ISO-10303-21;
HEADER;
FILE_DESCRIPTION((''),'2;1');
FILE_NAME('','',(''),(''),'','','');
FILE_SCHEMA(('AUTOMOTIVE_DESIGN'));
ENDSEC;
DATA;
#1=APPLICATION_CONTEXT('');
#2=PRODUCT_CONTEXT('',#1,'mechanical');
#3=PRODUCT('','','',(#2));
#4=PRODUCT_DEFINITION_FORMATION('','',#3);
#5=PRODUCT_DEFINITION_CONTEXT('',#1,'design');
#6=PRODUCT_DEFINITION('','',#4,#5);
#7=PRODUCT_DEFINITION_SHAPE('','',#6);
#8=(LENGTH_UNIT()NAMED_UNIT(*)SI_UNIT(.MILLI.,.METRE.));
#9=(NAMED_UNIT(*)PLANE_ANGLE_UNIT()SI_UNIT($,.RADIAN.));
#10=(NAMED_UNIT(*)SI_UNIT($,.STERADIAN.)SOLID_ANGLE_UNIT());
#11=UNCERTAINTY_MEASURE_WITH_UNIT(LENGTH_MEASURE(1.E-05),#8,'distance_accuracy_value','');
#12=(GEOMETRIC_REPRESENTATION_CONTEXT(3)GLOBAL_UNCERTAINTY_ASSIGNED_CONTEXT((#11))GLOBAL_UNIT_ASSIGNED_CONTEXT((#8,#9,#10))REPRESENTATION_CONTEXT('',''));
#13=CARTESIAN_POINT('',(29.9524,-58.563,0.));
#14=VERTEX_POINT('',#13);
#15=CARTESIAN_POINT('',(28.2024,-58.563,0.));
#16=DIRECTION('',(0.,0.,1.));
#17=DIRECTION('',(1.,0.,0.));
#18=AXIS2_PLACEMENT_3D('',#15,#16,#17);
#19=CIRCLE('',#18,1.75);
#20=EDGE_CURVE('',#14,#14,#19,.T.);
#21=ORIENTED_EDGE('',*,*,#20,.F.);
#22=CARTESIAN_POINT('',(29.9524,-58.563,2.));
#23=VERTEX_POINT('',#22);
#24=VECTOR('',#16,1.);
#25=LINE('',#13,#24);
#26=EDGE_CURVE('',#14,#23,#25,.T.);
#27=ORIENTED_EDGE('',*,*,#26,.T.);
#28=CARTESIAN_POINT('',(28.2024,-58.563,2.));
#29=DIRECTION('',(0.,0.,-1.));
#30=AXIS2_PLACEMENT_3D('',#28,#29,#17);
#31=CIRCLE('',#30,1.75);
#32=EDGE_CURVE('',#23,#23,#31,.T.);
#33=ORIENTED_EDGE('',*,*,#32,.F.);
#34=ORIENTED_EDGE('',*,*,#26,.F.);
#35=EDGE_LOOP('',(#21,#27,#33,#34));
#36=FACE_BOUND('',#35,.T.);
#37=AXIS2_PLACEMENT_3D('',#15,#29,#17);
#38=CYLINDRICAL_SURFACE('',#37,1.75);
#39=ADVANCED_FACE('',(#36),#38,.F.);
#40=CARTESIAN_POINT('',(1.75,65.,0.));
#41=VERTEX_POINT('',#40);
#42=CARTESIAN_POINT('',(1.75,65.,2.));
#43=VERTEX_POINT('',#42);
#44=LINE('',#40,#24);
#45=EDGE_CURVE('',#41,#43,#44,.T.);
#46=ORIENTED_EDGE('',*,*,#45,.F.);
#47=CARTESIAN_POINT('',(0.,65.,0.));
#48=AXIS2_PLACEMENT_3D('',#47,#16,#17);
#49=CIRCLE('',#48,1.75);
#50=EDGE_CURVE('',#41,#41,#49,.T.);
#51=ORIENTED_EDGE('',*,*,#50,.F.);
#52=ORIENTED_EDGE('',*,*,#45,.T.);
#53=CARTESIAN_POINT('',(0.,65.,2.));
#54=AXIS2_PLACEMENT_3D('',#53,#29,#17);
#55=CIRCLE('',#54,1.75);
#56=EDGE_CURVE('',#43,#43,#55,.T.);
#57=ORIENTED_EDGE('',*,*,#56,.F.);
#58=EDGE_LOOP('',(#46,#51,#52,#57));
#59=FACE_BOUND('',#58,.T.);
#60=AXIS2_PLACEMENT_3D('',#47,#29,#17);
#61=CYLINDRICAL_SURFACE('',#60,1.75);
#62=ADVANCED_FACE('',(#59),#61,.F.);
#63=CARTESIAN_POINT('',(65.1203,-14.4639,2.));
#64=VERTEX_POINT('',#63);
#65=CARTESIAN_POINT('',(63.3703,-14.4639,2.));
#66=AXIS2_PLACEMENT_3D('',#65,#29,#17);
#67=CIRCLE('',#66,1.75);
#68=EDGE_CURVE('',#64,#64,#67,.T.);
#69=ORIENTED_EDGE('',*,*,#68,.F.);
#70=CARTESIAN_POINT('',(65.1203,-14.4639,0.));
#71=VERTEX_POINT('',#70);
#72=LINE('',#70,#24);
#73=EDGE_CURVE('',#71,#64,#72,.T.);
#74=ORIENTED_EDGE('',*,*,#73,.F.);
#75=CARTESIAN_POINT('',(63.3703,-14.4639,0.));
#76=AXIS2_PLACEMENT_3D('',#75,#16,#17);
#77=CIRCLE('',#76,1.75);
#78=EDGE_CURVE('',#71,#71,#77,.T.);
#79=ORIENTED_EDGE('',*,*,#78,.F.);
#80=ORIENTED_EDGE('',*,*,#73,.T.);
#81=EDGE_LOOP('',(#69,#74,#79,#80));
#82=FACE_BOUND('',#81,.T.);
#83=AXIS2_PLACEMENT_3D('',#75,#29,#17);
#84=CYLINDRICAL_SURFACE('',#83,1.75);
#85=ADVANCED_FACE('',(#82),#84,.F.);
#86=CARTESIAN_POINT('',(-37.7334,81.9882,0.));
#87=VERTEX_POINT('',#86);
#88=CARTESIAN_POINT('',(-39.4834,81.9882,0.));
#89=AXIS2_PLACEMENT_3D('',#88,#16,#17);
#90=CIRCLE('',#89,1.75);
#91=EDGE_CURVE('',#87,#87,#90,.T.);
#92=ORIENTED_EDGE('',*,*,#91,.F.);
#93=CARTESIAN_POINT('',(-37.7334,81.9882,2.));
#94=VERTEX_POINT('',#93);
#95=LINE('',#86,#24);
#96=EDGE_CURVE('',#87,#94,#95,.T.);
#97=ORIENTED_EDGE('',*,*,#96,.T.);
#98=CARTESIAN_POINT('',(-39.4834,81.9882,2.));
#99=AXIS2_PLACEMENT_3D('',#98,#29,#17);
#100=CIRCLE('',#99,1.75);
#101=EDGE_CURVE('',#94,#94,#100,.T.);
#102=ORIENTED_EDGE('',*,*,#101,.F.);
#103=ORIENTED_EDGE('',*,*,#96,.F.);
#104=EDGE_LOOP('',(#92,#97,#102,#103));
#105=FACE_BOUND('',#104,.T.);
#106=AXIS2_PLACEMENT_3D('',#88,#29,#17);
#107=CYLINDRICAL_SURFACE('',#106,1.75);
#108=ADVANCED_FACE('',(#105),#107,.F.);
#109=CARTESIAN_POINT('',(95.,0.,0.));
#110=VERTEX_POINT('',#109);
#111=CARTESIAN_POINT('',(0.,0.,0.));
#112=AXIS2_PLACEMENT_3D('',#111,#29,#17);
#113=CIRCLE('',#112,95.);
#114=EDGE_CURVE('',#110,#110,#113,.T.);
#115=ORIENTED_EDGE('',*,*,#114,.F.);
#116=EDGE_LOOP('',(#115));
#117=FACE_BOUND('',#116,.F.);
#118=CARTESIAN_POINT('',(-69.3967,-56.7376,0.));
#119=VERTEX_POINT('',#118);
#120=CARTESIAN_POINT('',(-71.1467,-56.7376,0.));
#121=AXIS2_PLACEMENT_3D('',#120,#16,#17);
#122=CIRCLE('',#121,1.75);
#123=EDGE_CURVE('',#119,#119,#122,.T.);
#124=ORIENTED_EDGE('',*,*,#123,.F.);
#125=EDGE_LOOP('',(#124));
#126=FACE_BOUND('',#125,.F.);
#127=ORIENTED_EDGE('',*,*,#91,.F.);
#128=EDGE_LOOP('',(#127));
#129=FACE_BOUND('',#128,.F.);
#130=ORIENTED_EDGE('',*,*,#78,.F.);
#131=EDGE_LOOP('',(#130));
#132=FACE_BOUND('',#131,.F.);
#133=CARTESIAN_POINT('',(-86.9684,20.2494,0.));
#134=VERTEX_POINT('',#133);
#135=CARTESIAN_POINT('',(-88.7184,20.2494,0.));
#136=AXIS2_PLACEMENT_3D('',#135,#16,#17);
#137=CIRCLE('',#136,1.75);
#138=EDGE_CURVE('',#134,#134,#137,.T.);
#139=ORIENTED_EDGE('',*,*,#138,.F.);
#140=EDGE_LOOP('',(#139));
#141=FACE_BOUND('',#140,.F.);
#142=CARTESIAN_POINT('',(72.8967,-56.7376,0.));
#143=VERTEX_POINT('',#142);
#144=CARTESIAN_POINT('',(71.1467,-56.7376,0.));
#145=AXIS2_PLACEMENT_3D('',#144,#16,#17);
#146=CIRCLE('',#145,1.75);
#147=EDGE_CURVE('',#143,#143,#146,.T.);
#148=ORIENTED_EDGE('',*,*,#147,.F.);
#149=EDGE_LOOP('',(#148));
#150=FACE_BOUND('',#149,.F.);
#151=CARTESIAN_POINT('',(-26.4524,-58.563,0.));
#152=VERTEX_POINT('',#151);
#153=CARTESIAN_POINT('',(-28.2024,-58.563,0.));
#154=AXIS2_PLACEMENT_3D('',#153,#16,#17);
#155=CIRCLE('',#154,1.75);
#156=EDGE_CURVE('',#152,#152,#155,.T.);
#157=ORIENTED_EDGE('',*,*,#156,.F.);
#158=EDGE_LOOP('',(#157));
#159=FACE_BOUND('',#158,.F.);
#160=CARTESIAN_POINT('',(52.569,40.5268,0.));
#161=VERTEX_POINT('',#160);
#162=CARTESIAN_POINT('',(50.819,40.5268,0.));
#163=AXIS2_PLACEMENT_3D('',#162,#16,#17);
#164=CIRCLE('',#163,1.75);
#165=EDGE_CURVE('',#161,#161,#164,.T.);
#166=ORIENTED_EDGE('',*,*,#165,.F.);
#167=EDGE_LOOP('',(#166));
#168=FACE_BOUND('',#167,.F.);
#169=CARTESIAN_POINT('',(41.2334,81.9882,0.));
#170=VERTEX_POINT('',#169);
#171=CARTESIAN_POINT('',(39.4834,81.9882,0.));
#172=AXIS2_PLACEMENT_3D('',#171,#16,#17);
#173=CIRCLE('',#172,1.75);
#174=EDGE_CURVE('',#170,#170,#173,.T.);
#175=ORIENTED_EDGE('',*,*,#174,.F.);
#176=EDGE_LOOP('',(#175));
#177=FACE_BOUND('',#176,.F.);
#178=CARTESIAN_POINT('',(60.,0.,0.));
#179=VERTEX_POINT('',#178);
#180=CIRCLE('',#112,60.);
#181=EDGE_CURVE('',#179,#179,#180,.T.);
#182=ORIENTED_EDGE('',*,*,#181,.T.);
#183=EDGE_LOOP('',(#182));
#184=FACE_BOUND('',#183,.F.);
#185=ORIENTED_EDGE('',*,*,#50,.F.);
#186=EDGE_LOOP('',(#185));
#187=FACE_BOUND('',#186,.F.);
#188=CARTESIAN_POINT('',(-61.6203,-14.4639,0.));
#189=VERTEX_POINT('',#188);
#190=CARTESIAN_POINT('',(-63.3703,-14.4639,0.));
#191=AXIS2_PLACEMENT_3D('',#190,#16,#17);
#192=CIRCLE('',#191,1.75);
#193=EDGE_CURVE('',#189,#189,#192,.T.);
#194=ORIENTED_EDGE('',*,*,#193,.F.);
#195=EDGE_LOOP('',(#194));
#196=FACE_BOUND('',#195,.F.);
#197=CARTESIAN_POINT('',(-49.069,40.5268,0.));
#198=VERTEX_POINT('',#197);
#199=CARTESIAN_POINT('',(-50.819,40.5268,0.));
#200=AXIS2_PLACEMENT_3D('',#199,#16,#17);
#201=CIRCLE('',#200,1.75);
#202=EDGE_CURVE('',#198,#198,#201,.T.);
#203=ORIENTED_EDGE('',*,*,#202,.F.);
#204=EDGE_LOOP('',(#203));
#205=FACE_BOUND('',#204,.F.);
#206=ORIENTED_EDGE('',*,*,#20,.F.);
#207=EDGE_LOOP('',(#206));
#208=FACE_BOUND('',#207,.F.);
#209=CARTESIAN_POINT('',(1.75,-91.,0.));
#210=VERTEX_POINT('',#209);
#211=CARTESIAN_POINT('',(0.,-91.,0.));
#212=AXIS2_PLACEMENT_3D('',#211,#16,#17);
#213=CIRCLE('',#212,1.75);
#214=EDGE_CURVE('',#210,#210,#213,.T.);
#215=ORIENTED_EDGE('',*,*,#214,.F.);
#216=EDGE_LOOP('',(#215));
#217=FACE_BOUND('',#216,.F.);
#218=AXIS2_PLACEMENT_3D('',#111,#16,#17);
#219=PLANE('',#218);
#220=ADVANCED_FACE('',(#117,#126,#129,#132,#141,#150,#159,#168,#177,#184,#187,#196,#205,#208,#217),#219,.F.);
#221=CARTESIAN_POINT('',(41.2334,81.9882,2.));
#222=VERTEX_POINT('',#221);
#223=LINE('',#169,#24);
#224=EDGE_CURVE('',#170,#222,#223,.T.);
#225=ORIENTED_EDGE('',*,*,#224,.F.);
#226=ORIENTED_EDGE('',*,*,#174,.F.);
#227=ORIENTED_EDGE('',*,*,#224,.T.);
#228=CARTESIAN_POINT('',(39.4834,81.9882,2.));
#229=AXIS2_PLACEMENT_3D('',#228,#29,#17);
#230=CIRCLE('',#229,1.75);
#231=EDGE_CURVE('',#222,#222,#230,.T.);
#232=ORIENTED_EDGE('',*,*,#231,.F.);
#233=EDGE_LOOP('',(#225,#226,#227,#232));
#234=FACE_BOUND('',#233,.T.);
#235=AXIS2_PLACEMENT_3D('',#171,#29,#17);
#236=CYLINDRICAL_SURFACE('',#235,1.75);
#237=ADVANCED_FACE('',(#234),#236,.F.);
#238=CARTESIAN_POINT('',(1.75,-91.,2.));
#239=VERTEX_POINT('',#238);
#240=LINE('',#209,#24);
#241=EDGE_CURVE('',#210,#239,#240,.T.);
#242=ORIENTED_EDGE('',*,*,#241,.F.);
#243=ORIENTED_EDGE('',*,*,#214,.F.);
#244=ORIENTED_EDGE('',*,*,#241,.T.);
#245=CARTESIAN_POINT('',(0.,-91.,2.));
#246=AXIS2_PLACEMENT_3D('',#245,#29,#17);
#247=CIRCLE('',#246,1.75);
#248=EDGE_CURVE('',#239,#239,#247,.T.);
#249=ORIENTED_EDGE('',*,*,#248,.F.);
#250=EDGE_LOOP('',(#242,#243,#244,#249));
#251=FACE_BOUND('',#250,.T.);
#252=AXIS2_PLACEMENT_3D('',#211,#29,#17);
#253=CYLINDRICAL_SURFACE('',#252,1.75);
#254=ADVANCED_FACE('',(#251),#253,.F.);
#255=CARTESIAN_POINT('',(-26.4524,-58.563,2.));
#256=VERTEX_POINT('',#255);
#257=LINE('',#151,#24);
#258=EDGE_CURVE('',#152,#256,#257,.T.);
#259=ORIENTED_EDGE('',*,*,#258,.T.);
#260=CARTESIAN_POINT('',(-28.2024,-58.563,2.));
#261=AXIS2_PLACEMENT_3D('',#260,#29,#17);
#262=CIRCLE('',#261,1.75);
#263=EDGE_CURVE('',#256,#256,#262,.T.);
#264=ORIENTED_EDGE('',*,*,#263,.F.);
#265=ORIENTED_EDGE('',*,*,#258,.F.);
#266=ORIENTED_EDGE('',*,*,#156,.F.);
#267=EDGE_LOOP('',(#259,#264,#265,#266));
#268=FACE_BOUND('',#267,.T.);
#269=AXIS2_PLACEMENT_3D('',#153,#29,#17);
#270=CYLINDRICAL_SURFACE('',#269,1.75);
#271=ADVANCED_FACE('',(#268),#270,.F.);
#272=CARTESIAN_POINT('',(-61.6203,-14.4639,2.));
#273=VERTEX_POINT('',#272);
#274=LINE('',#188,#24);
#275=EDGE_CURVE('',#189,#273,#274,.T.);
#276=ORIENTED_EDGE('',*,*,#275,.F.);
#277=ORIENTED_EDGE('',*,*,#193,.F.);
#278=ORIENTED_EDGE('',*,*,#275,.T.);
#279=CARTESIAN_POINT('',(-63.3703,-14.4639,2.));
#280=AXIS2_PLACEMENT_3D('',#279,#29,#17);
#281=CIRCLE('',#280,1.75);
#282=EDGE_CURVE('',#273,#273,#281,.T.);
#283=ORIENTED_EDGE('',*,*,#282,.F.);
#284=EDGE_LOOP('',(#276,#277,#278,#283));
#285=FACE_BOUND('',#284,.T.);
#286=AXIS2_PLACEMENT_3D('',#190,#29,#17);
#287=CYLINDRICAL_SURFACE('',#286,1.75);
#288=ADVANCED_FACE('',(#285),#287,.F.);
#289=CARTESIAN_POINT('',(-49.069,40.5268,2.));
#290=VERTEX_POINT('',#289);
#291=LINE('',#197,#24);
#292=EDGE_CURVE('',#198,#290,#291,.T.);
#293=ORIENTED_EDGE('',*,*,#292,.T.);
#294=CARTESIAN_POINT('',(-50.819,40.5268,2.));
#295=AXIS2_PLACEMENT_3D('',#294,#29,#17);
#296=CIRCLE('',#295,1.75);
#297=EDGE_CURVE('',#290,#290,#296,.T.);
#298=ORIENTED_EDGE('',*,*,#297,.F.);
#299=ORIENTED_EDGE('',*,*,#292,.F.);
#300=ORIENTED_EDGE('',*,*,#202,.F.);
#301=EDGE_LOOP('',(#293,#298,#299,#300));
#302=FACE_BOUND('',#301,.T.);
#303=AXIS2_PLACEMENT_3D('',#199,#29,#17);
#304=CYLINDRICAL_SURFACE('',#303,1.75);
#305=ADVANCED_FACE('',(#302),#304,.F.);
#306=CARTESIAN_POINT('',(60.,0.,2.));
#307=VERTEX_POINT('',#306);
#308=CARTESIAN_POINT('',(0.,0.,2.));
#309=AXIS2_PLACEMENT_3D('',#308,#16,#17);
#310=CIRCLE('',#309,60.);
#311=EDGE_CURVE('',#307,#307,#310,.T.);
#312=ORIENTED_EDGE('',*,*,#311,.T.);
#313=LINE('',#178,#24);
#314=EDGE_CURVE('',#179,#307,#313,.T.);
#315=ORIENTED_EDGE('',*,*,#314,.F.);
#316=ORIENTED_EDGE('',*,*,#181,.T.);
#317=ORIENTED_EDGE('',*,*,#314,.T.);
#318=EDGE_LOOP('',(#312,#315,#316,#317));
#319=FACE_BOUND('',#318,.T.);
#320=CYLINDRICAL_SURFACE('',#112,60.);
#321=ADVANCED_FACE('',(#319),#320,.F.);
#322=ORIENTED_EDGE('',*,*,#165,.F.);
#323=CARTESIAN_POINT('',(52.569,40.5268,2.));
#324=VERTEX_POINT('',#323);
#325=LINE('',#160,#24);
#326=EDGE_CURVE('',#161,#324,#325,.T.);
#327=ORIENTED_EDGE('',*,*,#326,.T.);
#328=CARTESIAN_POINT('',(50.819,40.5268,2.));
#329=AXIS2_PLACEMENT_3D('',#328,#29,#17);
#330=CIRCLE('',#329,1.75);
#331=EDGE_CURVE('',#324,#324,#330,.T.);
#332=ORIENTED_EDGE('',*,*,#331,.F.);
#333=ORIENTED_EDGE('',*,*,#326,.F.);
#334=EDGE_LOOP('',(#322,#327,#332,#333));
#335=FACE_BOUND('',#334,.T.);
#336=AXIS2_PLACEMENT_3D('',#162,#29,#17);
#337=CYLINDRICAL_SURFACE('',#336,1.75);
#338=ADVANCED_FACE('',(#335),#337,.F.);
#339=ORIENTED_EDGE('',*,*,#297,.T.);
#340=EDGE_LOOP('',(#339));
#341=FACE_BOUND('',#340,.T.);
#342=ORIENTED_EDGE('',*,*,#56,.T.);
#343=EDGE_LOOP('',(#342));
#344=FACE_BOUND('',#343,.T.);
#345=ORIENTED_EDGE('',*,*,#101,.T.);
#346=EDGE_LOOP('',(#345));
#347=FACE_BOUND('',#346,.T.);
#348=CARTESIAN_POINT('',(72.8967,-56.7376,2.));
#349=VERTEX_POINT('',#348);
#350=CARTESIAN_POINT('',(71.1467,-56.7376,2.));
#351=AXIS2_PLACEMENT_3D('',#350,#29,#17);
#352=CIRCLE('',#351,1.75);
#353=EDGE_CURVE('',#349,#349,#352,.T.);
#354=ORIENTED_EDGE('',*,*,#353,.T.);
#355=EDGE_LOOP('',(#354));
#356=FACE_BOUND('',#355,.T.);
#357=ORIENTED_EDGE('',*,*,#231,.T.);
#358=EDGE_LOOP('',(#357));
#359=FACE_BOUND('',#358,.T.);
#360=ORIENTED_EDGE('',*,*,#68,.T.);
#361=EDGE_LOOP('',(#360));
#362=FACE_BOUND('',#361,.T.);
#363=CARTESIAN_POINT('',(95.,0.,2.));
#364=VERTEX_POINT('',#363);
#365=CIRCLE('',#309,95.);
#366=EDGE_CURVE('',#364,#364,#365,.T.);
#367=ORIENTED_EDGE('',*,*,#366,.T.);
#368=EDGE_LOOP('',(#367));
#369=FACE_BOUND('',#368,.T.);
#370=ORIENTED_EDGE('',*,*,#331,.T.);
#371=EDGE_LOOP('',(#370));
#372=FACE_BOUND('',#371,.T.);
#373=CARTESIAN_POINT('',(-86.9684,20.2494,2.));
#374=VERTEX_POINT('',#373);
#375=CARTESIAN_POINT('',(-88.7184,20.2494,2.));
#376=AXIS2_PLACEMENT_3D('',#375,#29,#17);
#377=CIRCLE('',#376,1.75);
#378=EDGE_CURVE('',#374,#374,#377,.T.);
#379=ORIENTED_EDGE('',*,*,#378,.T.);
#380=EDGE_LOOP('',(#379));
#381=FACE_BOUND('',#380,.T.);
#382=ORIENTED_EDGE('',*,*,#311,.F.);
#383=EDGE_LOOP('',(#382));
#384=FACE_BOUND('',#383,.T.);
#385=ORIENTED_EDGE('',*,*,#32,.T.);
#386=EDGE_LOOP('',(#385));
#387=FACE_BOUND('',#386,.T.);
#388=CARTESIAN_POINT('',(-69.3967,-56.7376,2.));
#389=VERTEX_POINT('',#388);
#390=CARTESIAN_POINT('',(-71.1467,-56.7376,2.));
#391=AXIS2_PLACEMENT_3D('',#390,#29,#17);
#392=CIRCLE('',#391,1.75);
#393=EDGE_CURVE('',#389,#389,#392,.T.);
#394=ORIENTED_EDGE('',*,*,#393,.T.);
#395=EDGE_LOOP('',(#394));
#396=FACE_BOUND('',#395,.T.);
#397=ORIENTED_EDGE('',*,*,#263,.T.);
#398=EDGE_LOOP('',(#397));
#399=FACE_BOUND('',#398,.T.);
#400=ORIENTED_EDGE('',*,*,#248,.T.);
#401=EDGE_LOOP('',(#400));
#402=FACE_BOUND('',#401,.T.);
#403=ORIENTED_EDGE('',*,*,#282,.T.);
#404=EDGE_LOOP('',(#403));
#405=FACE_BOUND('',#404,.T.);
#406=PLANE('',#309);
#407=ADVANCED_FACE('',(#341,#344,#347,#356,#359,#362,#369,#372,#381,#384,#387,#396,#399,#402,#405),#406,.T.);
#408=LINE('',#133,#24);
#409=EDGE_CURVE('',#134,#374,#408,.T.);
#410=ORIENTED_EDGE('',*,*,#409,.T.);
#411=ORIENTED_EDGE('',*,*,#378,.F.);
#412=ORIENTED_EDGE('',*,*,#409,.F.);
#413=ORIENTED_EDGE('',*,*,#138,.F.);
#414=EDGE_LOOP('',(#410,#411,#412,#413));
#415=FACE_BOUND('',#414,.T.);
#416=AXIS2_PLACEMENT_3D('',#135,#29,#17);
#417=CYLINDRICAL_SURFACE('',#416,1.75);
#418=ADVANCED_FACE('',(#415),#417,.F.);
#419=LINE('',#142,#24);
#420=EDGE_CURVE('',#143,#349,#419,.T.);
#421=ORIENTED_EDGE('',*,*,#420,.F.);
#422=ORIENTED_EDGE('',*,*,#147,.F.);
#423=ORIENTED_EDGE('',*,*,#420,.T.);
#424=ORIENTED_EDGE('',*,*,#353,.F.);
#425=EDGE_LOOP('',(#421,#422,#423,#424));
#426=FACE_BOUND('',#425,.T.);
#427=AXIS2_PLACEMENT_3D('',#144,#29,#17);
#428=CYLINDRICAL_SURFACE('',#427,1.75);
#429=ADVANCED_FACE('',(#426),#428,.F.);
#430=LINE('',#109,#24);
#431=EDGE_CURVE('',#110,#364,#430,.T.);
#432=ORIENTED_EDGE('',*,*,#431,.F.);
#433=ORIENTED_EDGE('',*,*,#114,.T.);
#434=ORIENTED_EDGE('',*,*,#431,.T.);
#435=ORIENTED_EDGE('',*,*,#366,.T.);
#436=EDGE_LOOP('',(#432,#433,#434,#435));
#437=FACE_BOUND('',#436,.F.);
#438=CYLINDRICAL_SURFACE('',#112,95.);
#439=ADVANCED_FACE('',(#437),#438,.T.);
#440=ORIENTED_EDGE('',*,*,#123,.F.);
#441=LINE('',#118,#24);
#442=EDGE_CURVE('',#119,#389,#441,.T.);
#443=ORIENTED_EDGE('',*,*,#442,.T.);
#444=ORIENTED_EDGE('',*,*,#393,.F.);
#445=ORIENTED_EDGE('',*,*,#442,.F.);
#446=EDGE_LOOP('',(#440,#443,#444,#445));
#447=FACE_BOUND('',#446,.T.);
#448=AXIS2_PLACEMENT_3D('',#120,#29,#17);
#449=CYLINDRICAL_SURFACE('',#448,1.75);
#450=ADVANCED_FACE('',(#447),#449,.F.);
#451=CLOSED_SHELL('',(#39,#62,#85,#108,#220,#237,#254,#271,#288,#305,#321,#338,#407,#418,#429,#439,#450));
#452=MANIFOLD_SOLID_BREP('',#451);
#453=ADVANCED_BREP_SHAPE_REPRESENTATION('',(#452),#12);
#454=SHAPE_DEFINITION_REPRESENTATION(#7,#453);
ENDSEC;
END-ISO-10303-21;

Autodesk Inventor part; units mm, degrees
ref_plane "YZ Plane" through (0, 0, 0) normal (1, 0, 0) x (0, 1, 0)
ref_plane "XZ Plane" through (0, 0, 0) normal (0, 1, 0) x (-1, 0, 0)
ref_plane "XY Plane" through (0, 0, 0) normal (0, 0, 1) x (1, 0, 0)
sketch "Sketch1" plane through (0, 0, 0) normal (0, 0, 1) x (1, 0, 0)
  circle A0 centre (0, 0) radius 60
  circle A1 centre (0, 0) radius 95
  circle A2 centre (0, 0) radius 65
  circle A3 centre (0, 0) radius 91
  circle A4 centre (0, 65) radius 1.75
  circle A5 centre (-50.819, 40.5268) radius 1.75
  circle A6 centre (-63.3703, -14.4639) radius 1.75
  circle A7 centre (-28.2024, -58.563) radius 1.75
  circle A8 centre (28.2024, -58.563) radius 1.75
  circle A9 centre (63.3703, -14.4639) radius 1.75
  line L0 (0, 0) -> (39.4834, 81.9882)
  line L1 (0, 133) -> (0, -133) projected
  circle A10 centre (39.4834, 81.9882) radius 1.75
  circle A11 centre (-39.4834, 81.9882) radius 1.75
  circle A12 centre (-88.7184, 20.2494) radius 1.75
  circle A13 centre (-71.1467, -56.7376) radius 1.75
  circle A14 centre (0, -91) radius 1.75
  circle A15 centre (71.1467, -56.7376) radius 1.75
  circle A16 centre (88.7184, 20.2494) radius 1.75
  circle A17 centre (50.819, 40.5268) radius 1.75
  dimension "d2" = 130
  dimension "d3" = 182
  dimension "d0" = 120
  dimension "d1" = 190
  dimension "d4" = 3.5
  dimension "d7" = 360
  dimension "d9" = 25.714
  dimension "d10" = 3.5
  dimension "d13" = 360
extrude "Extrusion1" add sketch "Sketch1" along normal blind 2 contours A0 L0 A2 A17 A9 A8 L1 | A0 L1 A4 A2 L0 | L1 A2 A7 A6 A5 A4 A0 | L0 A10 A3 A16 A15 A14 L1 A2 A8 A9 A17 | A2 A4 L1 A3 A10 L0 | L1 A14 A3 A13 A12 A11 A4 A2 A5 A6 A7 | A17 A2 | A2 A17 | A3 L1 A1 A14 A15 A16 A10 | A14 L1 A1 A3 A11 A12 A13 | A16 A3 | A3 A16
extrude "Extrusion2" cut sketch "Sketch1" along normal through all contours A17 A2 | A2 A17
properties part number "Lid_Loose"
